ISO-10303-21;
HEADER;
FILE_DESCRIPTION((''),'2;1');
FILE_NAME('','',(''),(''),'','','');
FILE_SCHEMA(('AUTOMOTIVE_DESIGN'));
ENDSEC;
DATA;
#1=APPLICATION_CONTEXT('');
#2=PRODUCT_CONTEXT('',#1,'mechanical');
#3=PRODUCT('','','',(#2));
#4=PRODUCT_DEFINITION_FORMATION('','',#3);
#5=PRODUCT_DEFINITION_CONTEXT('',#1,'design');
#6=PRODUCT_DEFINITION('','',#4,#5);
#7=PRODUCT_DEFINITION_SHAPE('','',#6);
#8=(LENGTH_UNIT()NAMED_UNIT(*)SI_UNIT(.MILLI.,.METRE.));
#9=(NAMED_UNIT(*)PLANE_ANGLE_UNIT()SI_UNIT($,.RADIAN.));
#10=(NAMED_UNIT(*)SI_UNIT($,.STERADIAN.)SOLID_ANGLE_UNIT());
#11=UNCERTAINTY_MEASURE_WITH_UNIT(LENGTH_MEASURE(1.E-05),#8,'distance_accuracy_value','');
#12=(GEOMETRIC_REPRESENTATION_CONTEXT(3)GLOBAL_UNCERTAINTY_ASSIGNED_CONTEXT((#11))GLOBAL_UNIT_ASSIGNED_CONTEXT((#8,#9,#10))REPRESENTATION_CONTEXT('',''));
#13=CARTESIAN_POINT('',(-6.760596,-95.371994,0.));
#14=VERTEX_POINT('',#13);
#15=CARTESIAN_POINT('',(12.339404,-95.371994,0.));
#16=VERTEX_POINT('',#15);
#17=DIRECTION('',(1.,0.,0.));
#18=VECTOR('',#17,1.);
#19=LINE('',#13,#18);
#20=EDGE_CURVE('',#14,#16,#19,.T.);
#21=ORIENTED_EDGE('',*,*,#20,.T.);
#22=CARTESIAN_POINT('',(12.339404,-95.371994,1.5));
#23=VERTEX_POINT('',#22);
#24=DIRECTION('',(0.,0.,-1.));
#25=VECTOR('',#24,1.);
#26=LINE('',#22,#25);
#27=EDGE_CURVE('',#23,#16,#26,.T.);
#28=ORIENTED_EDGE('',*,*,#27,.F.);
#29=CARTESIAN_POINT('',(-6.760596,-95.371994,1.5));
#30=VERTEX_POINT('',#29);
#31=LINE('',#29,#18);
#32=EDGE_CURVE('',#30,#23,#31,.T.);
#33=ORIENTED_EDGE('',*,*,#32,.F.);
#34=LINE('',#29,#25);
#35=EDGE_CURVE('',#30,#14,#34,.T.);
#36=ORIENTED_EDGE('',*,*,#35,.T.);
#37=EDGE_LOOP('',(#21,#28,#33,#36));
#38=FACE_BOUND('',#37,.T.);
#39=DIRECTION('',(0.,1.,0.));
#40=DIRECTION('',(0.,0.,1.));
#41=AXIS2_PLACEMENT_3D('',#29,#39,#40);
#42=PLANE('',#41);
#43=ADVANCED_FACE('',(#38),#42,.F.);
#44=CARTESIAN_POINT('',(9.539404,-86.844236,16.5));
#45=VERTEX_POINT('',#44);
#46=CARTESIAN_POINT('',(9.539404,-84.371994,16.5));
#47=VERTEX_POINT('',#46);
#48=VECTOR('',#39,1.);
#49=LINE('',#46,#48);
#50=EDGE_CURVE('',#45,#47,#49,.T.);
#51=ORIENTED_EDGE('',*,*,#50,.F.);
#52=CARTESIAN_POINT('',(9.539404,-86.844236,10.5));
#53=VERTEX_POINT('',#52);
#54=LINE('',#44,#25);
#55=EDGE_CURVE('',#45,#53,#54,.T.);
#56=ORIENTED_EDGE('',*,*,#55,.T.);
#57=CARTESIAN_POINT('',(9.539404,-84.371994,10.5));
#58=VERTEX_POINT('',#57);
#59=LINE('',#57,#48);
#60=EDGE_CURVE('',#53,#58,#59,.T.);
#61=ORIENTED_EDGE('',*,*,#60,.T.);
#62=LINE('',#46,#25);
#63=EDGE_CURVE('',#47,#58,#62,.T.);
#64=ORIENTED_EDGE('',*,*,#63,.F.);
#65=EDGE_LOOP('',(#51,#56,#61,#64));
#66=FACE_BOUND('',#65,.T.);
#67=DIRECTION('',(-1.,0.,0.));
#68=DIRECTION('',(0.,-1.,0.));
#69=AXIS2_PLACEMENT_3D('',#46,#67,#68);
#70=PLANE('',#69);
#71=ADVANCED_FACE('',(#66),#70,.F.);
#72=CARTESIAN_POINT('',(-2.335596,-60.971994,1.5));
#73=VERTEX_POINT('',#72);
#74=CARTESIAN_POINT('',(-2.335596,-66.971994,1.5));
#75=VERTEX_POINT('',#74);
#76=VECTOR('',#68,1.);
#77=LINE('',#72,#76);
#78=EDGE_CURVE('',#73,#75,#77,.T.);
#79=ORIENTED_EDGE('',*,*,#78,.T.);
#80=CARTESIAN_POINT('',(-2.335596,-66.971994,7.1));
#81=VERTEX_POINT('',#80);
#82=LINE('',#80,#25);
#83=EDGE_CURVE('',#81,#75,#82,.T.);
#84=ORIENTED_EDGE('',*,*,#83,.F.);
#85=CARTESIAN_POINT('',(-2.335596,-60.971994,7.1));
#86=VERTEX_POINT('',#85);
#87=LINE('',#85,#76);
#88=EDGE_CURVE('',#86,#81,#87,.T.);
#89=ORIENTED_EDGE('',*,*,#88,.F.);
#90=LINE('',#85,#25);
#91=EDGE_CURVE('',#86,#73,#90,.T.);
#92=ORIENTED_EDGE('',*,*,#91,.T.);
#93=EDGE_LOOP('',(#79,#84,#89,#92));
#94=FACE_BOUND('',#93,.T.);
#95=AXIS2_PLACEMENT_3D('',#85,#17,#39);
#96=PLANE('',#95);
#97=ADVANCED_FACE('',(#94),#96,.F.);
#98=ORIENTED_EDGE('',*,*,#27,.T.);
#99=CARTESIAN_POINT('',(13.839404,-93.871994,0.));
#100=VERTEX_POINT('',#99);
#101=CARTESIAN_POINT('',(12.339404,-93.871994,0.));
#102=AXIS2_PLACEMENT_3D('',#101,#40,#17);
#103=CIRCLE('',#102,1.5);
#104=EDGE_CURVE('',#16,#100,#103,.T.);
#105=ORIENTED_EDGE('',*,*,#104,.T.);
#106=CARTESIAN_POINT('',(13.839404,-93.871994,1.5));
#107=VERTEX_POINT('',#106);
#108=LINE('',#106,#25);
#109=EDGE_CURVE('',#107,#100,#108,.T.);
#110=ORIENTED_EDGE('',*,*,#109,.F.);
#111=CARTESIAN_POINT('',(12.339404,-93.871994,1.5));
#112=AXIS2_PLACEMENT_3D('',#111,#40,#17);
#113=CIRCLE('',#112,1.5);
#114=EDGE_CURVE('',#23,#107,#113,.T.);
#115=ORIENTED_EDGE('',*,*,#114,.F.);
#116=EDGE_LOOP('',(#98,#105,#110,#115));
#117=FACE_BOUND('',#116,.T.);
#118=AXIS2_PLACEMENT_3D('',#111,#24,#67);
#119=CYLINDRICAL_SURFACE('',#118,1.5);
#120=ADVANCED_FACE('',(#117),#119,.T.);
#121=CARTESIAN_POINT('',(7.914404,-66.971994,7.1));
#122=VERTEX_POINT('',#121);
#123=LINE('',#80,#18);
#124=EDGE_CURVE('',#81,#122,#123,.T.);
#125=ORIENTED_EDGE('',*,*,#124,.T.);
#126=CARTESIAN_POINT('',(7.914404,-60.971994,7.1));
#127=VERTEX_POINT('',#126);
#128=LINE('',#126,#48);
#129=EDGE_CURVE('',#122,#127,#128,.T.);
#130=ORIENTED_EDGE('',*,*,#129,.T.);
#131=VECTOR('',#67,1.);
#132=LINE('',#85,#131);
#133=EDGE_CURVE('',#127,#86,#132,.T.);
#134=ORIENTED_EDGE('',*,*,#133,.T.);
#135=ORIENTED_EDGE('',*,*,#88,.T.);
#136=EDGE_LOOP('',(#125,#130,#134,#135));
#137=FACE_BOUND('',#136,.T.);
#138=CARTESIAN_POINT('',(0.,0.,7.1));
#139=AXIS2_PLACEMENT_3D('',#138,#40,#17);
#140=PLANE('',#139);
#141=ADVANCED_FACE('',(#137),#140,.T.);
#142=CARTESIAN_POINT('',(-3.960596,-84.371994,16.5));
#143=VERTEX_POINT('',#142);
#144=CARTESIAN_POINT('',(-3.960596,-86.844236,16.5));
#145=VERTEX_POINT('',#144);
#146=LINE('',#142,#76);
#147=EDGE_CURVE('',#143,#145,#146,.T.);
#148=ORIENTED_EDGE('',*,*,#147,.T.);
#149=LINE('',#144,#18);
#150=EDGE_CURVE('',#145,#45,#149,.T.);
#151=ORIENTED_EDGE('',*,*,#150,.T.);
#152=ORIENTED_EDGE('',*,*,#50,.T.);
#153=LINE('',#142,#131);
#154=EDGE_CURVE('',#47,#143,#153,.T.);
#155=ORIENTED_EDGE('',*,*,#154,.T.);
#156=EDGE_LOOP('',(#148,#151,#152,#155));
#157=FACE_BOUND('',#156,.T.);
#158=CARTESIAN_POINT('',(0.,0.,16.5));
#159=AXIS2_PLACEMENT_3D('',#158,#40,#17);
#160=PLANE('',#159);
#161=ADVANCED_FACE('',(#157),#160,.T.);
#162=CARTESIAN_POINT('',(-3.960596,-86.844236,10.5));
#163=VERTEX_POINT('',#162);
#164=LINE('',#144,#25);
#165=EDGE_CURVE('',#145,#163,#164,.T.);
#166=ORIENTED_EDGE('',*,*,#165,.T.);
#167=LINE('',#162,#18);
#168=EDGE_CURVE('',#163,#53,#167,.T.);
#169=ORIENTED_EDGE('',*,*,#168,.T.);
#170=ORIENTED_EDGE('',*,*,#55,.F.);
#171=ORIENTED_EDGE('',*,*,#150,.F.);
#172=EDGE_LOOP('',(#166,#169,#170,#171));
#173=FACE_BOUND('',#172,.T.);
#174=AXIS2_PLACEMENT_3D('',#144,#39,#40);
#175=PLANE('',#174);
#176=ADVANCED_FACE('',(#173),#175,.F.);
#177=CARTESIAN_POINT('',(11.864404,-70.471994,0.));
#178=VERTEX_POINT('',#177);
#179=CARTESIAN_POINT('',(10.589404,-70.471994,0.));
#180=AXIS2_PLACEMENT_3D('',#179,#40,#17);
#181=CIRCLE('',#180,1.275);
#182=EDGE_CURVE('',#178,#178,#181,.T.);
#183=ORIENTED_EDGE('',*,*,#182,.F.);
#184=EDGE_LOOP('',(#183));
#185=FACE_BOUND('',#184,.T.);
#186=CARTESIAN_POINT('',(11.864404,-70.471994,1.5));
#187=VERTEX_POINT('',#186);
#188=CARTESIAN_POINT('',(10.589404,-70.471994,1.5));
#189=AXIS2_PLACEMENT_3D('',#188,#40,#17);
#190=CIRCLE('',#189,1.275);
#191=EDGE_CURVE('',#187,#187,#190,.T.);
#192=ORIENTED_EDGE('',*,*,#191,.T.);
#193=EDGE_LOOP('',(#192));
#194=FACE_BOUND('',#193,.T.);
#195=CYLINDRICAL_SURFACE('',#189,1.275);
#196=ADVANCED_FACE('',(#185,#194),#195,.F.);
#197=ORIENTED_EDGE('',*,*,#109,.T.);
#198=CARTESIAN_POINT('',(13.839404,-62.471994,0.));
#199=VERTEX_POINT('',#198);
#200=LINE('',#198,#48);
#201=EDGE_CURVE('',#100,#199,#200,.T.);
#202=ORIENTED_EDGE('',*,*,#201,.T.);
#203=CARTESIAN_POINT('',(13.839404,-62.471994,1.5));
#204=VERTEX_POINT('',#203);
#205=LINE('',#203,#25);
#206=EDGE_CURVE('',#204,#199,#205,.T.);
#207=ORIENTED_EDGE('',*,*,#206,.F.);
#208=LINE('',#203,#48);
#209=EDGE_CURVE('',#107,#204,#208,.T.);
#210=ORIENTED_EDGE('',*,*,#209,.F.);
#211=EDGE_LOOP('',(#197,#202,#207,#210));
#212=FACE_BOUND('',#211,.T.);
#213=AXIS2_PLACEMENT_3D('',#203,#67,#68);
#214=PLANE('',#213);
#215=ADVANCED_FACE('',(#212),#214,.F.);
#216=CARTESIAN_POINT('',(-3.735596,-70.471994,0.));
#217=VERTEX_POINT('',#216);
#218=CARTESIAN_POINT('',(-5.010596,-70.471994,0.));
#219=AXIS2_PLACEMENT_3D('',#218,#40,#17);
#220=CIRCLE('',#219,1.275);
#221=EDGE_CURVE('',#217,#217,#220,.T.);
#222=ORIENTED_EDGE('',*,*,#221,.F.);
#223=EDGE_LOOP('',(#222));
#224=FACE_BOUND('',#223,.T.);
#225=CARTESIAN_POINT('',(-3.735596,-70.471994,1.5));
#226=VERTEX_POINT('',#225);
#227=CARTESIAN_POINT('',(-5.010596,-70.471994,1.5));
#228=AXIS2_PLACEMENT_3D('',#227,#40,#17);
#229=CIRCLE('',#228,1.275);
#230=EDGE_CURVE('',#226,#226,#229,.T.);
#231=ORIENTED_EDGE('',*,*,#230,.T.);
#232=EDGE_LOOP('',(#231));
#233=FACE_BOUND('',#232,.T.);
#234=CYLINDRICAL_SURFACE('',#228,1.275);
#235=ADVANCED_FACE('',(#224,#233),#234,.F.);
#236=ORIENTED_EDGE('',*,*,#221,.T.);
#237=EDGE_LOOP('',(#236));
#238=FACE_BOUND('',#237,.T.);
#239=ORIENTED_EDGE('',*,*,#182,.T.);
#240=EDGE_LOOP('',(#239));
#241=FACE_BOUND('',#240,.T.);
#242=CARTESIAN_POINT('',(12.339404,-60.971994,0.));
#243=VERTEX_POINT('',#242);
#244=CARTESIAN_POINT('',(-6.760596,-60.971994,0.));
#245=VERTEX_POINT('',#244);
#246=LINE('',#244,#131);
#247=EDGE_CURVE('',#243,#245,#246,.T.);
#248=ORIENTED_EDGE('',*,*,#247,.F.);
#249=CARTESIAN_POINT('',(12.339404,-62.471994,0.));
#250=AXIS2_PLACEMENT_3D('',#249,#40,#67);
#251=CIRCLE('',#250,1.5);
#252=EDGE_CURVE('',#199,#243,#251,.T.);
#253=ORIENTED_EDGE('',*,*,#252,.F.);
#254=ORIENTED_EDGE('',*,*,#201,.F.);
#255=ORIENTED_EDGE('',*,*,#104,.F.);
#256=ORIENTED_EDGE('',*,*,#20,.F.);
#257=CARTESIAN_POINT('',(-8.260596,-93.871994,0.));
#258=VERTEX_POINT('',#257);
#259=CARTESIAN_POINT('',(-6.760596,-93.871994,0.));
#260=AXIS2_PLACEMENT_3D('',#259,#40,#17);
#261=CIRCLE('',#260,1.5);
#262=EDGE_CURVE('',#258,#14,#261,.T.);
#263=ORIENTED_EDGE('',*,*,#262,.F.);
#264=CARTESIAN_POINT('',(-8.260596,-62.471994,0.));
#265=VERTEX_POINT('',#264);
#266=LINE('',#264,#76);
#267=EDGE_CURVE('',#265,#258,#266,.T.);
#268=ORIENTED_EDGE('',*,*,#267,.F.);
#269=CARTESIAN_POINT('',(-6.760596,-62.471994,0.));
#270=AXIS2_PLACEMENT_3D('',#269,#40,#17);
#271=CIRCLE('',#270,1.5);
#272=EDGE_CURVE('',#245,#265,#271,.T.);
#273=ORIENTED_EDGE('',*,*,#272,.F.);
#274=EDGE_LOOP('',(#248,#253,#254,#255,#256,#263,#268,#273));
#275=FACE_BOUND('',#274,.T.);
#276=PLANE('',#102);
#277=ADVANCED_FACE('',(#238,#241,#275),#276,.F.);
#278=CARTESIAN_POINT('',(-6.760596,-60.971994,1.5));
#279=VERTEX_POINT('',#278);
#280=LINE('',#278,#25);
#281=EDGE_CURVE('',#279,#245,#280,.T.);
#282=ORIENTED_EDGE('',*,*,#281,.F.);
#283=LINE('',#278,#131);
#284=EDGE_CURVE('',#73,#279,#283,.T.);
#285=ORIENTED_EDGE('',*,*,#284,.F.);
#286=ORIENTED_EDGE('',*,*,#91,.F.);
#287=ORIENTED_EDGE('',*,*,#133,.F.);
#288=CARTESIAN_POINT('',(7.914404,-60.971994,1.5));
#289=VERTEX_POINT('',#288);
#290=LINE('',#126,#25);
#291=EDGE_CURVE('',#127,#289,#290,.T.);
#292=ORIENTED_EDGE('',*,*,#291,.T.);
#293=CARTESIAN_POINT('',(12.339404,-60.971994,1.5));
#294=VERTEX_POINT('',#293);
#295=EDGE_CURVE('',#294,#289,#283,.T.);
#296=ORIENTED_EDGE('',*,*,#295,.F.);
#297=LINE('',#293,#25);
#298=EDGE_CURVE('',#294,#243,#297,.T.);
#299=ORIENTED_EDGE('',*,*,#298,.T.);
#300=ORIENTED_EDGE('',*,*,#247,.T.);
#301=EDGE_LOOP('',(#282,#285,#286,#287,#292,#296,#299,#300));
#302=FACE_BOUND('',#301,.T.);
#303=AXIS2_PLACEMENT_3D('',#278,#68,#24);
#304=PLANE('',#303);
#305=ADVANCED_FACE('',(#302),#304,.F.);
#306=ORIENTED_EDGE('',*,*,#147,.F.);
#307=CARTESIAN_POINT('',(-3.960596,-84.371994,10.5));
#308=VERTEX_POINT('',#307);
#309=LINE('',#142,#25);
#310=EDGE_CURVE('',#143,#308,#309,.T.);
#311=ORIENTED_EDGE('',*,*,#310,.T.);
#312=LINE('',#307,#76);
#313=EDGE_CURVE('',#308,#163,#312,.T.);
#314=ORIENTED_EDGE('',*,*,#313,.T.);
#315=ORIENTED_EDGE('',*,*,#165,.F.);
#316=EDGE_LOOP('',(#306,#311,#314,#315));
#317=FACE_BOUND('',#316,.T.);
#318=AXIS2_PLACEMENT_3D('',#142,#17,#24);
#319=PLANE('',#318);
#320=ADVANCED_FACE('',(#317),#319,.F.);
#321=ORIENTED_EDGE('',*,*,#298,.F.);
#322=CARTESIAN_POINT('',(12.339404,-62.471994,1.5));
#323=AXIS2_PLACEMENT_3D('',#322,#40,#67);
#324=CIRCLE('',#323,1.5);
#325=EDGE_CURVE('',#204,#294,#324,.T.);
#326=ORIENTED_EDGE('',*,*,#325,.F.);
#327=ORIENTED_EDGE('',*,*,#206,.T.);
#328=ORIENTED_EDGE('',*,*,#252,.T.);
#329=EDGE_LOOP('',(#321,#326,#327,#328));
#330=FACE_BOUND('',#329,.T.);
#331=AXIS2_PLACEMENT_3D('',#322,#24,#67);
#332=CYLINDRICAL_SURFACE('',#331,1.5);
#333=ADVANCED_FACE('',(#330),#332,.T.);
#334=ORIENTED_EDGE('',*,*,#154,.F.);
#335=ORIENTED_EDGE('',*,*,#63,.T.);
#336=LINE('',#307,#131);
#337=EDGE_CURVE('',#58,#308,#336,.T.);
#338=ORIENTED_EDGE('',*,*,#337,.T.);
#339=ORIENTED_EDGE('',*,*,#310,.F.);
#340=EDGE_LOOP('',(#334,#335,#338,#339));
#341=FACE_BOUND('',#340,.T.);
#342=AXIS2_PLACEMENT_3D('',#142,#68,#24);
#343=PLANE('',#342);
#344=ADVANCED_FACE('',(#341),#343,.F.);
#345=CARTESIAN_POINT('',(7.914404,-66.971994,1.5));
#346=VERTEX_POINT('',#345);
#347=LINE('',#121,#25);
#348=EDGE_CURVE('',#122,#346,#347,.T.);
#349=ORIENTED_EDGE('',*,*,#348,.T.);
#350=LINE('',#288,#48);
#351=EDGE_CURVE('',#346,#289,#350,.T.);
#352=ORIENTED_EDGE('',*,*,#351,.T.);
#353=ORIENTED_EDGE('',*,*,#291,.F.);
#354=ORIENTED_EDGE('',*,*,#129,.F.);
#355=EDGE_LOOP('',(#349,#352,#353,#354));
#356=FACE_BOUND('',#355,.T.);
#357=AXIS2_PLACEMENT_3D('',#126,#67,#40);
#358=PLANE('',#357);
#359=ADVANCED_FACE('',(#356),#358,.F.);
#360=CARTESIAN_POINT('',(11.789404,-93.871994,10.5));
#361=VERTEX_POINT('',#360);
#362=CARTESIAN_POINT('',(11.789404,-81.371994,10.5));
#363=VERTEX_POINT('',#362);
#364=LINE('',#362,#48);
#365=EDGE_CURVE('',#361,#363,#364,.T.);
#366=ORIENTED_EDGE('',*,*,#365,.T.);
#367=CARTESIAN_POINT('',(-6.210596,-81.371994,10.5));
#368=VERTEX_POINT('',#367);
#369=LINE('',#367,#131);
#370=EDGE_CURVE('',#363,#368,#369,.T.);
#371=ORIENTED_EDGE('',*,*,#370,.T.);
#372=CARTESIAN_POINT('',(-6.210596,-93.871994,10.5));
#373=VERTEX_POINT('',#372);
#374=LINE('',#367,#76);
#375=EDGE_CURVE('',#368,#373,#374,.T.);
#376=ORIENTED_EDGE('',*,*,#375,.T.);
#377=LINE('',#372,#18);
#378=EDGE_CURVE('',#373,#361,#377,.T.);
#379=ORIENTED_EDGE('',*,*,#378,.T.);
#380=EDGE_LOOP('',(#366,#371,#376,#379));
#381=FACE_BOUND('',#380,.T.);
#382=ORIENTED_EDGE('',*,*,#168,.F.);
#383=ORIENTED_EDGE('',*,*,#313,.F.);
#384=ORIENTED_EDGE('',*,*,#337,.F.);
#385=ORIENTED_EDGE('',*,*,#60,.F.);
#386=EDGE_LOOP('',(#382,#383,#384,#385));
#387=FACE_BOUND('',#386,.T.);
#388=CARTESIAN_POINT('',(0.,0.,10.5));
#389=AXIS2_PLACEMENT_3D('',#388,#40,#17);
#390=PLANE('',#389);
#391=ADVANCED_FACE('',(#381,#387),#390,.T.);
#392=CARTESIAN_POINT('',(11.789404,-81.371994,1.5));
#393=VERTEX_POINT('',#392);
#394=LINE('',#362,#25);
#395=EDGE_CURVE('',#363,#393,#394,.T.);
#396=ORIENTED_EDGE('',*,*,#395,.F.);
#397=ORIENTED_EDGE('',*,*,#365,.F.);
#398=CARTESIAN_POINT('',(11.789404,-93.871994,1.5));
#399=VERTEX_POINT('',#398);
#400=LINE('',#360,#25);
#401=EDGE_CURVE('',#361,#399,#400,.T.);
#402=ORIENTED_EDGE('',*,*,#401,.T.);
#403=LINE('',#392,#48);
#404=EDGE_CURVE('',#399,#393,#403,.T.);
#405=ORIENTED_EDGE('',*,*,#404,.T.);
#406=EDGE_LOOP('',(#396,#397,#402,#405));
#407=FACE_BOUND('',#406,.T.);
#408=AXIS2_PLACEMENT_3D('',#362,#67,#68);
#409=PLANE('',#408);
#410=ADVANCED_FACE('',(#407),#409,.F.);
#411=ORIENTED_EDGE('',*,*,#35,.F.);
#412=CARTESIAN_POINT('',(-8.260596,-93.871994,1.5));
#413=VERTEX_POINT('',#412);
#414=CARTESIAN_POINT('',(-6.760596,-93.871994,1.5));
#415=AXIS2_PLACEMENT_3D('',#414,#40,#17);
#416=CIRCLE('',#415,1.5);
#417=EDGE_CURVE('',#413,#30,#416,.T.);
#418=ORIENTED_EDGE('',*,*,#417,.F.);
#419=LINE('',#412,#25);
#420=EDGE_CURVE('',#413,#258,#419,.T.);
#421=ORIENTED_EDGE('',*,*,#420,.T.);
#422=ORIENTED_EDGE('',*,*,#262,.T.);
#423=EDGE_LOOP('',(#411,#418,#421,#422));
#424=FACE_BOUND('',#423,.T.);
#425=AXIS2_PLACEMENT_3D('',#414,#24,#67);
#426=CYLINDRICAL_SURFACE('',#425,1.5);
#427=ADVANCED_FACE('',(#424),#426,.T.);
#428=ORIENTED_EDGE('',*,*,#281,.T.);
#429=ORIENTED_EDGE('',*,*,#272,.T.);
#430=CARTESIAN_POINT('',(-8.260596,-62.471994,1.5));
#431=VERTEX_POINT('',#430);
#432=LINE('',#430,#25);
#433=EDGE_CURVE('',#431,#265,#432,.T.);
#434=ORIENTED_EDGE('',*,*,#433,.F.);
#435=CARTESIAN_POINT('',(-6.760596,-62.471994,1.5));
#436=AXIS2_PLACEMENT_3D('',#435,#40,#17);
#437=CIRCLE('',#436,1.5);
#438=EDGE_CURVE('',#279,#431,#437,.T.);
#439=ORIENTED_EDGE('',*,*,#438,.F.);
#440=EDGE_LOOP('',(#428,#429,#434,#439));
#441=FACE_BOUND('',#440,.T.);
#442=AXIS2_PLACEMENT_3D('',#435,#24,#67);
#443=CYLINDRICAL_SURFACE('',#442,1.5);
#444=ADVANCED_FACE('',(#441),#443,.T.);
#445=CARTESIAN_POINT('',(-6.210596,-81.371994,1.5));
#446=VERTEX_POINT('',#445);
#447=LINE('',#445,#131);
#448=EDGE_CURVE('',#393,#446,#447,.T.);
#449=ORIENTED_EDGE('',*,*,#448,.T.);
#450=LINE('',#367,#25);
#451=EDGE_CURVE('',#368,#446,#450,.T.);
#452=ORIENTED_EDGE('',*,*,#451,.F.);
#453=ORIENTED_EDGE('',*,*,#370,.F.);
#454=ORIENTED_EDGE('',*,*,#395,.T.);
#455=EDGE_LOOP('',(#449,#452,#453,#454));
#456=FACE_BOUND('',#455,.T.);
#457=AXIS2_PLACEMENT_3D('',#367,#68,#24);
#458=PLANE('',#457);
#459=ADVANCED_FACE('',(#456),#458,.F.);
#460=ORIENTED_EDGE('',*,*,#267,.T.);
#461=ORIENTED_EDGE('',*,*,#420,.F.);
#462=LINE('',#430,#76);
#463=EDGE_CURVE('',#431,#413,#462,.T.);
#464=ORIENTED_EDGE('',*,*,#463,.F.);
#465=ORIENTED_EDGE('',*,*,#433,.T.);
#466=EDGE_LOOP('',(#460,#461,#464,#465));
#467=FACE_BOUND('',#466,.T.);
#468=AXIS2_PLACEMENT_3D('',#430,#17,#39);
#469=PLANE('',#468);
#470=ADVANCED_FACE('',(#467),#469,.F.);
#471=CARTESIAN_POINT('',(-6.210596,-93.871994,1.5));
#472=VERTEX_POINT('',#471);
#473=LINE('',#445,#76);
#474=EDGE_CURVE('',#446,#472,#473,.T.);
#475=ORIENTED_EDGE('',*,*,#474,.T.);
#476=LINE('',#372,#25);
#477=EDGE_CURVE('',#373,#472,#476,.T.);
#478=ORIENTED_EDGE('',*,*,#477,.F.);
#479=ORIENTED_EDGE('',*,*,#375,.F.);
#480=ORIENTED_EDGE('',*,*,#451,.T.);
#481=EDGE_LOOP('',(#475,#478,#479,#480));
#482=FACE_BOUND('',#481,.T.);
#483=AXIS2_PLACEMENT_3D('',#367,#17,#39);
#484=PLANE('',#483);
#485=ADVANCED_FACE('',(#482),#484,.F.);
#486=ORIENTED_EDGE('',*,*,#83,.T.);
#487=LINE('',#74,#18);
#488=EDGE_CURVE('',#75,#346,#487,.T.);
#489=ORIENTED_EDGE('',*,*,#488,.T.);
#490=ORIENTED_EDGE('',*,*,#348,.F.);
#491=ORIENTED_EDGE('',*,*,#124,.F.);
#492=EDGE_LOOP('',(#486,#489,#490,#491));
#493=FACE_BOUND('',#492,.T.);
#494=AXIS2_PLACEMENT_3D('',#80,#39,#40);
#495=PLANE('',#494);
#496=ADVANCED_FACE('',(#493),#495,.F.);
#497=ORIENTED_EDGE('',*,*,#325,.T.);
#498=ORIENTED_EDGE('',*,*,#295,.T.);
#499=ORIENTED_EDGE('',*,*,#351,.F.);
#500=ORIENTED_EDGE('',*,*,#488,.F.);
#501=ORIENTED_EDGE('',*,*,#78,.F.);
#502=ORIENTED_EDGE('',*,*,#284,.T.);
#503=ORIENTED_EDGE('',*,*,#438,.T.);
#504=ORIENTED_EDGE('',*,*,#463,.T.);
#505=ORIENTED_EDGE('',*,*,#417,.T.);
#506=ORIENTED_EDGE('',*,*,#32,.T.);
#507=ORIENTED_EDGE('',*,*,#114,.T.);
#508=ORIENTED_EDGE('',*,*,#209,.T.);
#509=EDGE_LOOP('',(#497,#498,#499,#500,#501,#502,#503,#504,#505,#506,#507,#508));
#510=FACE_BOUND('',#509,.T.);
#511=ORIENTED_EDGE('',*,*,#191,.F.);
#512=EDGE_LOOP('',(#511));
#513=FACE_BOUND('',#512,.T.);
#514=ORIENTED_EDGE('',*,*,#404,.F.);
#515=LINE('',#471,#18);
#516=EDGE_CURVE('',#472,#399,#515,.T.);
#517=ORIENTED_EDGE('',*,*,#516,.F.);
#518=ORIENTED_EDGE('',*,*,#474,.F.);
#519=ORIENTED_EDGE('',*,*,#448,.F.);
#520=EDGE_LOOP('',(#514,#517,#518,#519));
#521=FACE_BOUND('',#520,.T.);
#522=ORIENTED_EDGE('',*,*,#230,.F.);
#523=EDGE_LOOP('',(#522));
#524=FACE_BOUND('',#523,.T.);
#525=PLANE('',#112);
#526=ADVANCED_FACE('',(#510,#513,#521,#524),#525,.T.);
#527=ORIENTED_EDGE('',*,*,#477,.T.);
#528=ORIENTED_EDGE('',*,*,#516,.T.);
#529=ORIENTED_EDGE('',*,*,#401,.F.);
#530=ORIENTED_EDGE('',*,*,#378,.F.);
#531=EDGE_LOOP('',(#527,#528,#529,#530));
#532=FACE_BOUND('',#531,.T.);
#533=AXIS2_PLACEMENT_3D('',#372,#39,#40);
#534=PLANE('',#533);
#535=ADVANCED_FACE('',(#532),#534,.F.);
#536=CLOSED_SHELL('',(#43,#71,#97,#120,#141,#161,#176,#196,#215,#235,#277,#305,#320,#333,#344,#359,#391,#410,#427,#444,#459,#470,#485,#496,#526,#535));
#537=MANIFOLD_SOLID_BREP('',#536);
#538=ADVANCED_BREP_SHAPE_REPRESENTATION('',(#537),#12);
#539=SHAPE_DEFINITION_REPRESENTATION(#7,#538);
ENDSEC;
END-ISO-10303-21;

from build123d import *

# Parameters (mm, degrees)
EXTRUDE_1_DEPTH      = 1.5
SKETCH_2_W           = 18
SKETCH_2_H           = 12.5
EXTRUDE_2_DEPTH      = 9
SKETCH_3_W           = 13.5
SKETCH_3_H           = 2.47224136
EXTRUDE_3_DEPTH      = 6
SKETCH_4_W           = 10.25
SKETCH_4_H           = 6
EXTRUDE_4_DEPTH      = 5.6
HOLE_WIZARD_M2_5_1_D = 2.55


with BuildPart() as part:
    # 草圖1 → 填料-伸長1 (new body)
    with BuildSketch(Plane.XY):
        with BuildLine():
            Line((-6.760595539, -60.971994299), (12.339404461, -60.971994299))
            ThreePointArc((12.339404461, -60.971994299), (13.400064632, -61.411334127), (13.839404461, -62.471994299))
            Line((13.839404461, -62.471994299), (13.839404461, -93.871994299))
            ThreePointArc((13.839404461, -93.871994299), (13.400064632, -94.932654471), (12.339404461, -95.371994299))
            Line((12.339404461, -95.371994299), (-6.760595539, -95.371994299))
            ThreePointArc((-6.760595539, -95.371994299), (-7.821255711, -94.932654471), (-8.260595539, -93.871994299))
            Line((-8.260595539, -93.871994299), (-8.260595539, -62.471994299))
            ThreePointArc((-8.260595539, -62.471994299), (-7.821255711, -61.411334127), (-6.760595539, -60.971994299))
        make_face()
    extrude(amount=EXTRUDE_1_DEPTH)

    # 草圖2 → 填料-伸長2 (add)
    with BuildSketch(Plane.XY.offset(1.5)):
        with Locations((2.789404461, -87.621994299)):
            Rectangle(SKETCH_2_W, SKETCH_2_H)
    extrude(amount=EXTRUDE_2_DEPTH)

    # 草圖3 → 填料-伸長3 (add)
    with BuildSketch(Plane.XY.offset(10.5)):
        with Locations((2.789404461, -85.608114979)):
            Rectangle(SKETCH_3_W, SKETCH_3_H)
    extrude(amount=EXTRUDE_3_DEPTH)

    # 草圖4 → 填料-伸長4 (add)
    with BuildSketch(Plane.XY.offset(1.5)):
        with Locations((2.789404461, -63.971994299)):
            Rectangle(SKETCH_4_W, SKETCH_4_H)
    extrude(amount=EXTRUDE_4_DEPTH)

    # M2.5 螺旋的螺孔鑽1 (through all)
    with Locations(Plane.XY.offset(1.5)):
        with Locations((-5.010595539, -70.471994299), (10.589404461, -70.471994299)):
            Hole(HOLE_WIZARD_M2_5_1_D / 2)


solid = part.part
